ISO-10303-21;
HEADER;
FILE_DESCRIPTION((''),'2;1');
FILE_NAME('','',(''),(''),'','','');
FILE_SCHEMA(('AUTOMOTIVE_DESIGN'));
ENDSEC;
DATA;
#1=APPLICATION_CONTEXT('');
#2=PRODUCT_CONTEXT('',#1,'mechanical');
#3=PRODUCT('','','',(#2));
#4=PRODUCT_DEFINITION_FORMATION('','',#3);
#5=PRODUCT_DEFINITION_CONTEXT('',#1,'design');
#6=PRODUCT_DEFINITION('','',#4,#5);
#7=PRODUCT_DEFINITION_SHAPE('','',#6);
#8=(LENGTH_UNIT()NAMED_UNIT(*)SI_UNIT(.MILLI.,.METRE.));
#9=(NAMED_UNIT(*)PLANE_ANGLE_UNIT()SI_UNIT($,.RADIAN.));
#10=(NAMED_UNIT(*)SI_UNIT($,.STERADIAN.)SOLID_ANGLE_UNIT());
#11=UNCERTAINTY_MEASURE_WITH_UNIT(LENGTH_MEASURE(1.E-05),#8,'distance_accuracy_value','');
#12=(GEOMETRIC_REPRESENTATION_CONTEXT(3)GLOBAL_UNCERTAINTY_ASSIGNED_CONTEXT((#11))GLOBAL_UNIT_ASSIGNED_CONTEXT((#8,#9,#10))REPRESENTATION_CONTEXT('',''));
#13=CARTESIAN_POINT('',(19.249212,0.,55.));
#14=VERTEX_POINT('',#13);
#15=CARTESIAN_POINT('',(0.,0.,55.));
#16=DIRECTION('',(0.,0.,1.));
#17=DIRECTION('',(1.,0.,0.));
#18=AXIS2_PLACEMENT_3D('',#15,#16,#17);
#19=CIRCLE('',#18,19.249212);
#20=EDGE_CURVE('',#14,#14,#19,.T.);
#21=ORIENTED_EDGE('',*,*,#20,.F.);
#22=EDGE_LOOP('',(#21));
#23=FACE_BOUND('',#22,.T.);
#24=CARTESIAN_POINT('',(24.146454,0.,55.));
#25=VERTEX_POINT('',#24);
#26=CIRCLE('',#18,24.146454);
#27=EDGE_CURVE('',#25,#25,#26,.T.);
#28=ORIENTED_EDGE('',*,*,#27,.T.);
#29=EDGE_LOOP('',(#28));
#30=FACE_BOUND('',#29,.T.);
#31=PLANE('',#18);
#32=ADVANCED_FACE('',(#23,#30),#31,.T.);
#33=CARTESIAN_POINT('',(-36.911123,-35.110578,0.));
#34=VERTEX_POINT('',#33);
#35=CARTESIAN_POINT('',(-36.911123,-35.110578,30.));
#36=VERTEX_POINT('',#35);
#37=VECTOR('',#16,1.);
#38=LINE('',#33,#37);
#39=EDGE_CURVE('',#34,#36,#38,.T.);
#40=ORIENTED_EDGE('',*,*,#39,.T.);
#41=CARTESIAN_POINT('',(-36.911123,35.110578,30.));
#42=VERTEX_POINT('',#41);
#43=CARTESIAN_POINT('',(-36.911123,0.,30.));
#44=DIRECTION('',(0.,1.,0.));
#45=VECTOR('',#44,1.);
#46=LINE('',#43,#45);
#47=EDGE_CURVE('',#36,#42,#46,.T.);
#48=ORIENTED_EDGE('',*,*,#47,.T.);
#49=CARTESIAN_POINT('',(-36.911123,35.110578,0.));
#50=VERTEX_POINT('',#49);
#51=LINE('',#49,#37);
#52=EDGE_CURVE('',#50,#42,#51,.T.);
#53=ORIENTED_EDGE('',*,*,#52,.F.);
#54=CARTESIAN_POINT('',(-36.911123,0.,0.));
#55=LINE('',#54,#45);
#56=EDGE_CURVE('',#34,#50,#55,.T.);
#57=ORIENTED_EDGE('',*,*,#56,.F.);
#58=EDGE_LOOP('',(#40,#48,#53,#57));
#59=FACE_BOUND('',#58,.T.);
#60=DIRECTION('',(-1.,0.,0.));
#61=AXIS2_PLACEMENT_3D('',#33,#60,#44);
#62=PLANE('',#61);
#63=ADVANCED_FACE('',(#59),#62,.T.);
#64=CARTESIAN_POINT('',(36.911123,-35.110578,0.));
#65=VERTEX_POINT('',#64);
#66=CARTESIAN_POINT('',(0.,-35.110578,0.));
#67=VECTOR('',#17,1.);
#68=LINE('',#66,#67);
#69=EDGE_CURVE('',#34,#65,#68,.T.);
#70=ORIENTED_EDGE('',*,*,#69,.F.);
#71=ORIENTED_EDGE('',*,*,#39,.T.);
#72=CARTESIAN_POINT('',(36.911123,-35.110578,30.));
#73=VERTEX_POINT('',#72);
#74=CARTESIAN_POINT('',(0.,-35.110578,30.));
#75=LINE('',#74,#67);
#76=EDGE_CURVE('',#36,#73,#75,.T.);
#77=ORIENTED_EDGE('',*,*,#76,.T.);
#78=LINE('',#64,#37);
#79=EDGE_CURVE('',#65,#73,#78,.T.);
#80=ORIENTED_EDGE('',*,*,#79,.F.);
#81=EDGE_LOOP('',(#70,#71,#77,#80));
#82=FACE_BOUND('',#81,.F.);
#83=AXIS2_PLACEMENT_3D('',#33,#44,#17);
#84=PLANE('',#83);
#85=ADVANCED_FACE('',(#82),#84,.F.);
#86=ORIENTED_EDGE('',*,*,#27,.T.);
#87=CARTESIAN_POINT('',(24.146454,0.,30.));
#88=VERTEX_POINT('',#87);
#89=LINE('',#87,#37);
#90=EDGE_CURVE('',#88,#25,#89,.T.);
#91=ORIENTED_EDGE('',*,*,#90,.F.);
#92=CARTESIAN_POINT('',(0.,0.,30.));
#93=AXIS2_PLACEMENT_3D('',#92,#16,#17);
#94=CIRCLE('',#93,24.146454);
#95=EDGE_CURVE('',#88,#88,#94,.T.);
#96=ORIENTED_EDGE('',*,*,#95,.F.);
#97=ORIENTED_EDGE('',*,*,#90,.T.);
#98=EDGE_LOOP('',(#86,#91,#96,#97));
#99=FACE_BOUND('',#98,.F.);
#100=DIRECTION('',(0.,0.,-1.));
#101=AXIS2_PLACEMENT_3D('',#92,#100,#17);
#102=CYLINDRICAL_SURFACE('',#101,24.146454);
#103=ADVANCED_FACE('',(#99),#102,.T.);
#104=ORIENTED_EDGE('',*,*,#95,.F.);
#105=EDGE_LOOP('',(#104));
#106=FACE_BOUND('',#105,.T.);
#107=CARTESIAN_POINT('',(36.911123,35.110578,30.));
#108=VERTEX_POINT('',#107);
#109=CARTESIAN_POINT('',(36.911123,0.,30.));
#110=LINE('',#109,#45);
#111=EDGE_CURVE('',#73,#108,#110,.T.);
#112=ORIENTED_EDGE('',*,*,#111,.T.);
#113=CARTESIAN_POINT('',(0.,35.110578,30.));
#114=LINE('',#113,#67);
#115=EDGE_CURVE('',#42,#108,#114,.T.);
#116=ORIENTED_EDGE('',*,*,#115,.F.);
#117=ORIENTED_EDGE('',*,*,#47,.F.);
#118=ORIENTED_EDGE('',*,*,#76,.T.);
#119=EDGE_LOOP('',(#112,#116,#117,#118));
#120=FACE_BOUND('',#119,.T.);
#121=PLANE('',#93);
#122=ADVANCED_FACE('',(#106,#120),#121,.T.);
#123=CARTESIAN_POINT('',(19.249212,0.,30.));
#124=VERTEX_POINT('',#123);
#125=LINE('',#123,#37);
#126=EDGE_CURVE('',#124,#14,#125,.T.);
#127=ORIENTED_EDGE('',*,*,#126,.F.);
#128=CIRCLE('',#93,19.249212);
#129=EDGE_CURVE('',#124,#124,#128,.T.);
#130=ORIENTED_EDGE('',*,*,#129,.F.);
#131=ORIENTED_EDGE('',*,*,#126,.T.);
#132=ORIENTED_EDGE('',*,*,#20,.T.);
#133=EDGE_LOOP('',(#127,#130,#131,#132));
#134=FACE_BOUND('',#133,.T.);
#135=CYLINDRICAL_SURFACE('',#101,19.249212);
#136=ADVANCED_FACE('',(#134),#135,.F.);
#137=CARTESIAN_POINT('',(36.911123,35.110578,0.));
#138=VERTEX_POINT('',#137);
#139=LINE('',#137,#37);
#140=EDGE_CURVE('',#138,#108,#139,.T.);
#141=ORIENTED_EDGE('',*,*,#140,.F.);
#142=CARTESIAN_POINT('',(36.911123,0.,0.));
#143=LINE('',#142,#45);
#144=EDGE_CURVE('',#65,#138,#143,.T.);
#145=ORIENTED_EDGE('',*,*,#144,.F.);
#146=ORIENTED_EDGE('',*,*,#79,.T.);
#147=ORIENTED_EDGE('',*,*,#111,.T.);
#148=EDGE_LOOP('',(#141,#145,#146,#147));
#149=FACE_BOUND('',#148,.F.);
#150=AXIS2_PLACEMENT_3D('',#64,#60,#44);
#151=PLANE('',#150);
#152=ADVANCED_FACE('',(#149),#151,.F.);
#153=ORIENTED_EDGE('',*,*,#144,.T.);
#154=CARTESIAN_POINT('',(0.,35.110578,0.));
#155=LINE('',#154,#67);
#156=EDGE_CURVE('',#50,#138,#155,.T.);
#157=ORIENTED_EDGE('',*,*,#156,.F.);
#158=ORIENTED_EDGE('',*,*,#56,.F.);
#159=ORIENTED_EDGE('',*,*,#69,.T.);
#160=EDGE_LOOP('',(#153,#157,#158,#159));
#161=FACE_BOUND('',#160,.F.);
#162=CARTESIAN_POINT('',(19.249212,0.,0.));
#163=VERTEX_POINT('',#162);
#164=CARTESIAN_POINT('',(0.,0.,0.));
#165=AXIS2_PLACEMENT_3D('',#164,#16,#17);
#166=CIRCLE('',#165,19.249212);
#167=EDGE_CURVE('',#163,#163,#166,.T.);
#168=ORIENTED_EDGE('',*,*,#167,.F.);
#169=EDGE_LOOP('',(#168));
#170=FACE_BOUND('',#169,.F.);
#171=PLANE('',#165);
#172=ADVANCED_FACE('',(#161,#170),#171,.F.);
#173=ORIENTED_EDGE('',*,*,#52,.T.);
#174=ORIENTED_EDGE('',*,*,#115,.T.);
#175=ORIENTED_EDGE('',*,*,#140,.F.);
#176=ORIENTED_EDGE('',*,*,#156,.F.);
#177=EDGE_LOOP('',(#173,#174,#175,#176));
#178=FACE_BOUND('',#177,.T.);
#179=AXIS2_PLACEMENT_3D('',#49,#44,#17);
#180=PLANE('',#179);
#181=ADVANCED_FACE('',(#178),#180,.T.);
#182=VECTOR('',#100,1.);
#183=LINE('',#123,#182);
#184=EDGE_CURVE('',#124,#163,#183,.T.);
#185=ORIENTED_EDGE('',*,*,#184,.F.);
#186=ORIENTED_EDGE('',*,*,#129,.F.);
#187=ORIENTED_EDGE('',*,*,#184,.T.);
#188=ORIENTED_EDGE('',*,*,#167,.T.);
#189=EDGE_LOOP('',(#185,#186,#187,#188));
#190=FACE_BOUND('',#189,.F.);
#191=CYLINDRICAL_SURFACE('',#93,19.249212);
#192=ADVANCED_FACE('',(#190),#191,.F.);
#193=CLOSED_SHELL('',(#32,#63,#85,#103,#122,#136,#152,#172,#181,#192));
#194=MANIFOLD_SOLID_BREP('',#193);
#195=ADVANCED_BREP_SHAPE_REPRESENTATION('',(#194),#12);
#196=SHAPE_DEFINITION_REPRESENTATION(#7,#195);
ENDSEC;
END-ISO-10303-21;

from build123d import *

# Parameters (mm, degrees)
F0_W     = 73.822246
F0_H     = 70.221156
F1_DEPTH = 30
F2_R     = 19.249212
F3_DEPTH = 30.001
F4_R     = 24.146454
F4_R_2   = 19.249212
F5_DEPTH = 25


with BuildPart() as f1:
    # F0 (on Top) → F1 (new body)
    with BuildSketch(Plane.XY):
        Rectangle(F0_W, F0_H)
    extrude(amount=F1_DEPTH)

    # F2 (on face) → F3 (cut, through all)
    with BuildSketch(Plane.XY.offset(30)):
        Circle(F2_R)
    extrude(amount=-F3_DEPTH, mode=Mode.SUBTRACT)

    # F4 (on face) → F5 (join)
    with BuildSketch(Plane.XY.offset(30)):
        Circle(F4_R)
        Circle(F4_R_2, mode=Mode.SUBTRACT)
    extrude(amount=F5_DEPTH)


solid = f1.part
